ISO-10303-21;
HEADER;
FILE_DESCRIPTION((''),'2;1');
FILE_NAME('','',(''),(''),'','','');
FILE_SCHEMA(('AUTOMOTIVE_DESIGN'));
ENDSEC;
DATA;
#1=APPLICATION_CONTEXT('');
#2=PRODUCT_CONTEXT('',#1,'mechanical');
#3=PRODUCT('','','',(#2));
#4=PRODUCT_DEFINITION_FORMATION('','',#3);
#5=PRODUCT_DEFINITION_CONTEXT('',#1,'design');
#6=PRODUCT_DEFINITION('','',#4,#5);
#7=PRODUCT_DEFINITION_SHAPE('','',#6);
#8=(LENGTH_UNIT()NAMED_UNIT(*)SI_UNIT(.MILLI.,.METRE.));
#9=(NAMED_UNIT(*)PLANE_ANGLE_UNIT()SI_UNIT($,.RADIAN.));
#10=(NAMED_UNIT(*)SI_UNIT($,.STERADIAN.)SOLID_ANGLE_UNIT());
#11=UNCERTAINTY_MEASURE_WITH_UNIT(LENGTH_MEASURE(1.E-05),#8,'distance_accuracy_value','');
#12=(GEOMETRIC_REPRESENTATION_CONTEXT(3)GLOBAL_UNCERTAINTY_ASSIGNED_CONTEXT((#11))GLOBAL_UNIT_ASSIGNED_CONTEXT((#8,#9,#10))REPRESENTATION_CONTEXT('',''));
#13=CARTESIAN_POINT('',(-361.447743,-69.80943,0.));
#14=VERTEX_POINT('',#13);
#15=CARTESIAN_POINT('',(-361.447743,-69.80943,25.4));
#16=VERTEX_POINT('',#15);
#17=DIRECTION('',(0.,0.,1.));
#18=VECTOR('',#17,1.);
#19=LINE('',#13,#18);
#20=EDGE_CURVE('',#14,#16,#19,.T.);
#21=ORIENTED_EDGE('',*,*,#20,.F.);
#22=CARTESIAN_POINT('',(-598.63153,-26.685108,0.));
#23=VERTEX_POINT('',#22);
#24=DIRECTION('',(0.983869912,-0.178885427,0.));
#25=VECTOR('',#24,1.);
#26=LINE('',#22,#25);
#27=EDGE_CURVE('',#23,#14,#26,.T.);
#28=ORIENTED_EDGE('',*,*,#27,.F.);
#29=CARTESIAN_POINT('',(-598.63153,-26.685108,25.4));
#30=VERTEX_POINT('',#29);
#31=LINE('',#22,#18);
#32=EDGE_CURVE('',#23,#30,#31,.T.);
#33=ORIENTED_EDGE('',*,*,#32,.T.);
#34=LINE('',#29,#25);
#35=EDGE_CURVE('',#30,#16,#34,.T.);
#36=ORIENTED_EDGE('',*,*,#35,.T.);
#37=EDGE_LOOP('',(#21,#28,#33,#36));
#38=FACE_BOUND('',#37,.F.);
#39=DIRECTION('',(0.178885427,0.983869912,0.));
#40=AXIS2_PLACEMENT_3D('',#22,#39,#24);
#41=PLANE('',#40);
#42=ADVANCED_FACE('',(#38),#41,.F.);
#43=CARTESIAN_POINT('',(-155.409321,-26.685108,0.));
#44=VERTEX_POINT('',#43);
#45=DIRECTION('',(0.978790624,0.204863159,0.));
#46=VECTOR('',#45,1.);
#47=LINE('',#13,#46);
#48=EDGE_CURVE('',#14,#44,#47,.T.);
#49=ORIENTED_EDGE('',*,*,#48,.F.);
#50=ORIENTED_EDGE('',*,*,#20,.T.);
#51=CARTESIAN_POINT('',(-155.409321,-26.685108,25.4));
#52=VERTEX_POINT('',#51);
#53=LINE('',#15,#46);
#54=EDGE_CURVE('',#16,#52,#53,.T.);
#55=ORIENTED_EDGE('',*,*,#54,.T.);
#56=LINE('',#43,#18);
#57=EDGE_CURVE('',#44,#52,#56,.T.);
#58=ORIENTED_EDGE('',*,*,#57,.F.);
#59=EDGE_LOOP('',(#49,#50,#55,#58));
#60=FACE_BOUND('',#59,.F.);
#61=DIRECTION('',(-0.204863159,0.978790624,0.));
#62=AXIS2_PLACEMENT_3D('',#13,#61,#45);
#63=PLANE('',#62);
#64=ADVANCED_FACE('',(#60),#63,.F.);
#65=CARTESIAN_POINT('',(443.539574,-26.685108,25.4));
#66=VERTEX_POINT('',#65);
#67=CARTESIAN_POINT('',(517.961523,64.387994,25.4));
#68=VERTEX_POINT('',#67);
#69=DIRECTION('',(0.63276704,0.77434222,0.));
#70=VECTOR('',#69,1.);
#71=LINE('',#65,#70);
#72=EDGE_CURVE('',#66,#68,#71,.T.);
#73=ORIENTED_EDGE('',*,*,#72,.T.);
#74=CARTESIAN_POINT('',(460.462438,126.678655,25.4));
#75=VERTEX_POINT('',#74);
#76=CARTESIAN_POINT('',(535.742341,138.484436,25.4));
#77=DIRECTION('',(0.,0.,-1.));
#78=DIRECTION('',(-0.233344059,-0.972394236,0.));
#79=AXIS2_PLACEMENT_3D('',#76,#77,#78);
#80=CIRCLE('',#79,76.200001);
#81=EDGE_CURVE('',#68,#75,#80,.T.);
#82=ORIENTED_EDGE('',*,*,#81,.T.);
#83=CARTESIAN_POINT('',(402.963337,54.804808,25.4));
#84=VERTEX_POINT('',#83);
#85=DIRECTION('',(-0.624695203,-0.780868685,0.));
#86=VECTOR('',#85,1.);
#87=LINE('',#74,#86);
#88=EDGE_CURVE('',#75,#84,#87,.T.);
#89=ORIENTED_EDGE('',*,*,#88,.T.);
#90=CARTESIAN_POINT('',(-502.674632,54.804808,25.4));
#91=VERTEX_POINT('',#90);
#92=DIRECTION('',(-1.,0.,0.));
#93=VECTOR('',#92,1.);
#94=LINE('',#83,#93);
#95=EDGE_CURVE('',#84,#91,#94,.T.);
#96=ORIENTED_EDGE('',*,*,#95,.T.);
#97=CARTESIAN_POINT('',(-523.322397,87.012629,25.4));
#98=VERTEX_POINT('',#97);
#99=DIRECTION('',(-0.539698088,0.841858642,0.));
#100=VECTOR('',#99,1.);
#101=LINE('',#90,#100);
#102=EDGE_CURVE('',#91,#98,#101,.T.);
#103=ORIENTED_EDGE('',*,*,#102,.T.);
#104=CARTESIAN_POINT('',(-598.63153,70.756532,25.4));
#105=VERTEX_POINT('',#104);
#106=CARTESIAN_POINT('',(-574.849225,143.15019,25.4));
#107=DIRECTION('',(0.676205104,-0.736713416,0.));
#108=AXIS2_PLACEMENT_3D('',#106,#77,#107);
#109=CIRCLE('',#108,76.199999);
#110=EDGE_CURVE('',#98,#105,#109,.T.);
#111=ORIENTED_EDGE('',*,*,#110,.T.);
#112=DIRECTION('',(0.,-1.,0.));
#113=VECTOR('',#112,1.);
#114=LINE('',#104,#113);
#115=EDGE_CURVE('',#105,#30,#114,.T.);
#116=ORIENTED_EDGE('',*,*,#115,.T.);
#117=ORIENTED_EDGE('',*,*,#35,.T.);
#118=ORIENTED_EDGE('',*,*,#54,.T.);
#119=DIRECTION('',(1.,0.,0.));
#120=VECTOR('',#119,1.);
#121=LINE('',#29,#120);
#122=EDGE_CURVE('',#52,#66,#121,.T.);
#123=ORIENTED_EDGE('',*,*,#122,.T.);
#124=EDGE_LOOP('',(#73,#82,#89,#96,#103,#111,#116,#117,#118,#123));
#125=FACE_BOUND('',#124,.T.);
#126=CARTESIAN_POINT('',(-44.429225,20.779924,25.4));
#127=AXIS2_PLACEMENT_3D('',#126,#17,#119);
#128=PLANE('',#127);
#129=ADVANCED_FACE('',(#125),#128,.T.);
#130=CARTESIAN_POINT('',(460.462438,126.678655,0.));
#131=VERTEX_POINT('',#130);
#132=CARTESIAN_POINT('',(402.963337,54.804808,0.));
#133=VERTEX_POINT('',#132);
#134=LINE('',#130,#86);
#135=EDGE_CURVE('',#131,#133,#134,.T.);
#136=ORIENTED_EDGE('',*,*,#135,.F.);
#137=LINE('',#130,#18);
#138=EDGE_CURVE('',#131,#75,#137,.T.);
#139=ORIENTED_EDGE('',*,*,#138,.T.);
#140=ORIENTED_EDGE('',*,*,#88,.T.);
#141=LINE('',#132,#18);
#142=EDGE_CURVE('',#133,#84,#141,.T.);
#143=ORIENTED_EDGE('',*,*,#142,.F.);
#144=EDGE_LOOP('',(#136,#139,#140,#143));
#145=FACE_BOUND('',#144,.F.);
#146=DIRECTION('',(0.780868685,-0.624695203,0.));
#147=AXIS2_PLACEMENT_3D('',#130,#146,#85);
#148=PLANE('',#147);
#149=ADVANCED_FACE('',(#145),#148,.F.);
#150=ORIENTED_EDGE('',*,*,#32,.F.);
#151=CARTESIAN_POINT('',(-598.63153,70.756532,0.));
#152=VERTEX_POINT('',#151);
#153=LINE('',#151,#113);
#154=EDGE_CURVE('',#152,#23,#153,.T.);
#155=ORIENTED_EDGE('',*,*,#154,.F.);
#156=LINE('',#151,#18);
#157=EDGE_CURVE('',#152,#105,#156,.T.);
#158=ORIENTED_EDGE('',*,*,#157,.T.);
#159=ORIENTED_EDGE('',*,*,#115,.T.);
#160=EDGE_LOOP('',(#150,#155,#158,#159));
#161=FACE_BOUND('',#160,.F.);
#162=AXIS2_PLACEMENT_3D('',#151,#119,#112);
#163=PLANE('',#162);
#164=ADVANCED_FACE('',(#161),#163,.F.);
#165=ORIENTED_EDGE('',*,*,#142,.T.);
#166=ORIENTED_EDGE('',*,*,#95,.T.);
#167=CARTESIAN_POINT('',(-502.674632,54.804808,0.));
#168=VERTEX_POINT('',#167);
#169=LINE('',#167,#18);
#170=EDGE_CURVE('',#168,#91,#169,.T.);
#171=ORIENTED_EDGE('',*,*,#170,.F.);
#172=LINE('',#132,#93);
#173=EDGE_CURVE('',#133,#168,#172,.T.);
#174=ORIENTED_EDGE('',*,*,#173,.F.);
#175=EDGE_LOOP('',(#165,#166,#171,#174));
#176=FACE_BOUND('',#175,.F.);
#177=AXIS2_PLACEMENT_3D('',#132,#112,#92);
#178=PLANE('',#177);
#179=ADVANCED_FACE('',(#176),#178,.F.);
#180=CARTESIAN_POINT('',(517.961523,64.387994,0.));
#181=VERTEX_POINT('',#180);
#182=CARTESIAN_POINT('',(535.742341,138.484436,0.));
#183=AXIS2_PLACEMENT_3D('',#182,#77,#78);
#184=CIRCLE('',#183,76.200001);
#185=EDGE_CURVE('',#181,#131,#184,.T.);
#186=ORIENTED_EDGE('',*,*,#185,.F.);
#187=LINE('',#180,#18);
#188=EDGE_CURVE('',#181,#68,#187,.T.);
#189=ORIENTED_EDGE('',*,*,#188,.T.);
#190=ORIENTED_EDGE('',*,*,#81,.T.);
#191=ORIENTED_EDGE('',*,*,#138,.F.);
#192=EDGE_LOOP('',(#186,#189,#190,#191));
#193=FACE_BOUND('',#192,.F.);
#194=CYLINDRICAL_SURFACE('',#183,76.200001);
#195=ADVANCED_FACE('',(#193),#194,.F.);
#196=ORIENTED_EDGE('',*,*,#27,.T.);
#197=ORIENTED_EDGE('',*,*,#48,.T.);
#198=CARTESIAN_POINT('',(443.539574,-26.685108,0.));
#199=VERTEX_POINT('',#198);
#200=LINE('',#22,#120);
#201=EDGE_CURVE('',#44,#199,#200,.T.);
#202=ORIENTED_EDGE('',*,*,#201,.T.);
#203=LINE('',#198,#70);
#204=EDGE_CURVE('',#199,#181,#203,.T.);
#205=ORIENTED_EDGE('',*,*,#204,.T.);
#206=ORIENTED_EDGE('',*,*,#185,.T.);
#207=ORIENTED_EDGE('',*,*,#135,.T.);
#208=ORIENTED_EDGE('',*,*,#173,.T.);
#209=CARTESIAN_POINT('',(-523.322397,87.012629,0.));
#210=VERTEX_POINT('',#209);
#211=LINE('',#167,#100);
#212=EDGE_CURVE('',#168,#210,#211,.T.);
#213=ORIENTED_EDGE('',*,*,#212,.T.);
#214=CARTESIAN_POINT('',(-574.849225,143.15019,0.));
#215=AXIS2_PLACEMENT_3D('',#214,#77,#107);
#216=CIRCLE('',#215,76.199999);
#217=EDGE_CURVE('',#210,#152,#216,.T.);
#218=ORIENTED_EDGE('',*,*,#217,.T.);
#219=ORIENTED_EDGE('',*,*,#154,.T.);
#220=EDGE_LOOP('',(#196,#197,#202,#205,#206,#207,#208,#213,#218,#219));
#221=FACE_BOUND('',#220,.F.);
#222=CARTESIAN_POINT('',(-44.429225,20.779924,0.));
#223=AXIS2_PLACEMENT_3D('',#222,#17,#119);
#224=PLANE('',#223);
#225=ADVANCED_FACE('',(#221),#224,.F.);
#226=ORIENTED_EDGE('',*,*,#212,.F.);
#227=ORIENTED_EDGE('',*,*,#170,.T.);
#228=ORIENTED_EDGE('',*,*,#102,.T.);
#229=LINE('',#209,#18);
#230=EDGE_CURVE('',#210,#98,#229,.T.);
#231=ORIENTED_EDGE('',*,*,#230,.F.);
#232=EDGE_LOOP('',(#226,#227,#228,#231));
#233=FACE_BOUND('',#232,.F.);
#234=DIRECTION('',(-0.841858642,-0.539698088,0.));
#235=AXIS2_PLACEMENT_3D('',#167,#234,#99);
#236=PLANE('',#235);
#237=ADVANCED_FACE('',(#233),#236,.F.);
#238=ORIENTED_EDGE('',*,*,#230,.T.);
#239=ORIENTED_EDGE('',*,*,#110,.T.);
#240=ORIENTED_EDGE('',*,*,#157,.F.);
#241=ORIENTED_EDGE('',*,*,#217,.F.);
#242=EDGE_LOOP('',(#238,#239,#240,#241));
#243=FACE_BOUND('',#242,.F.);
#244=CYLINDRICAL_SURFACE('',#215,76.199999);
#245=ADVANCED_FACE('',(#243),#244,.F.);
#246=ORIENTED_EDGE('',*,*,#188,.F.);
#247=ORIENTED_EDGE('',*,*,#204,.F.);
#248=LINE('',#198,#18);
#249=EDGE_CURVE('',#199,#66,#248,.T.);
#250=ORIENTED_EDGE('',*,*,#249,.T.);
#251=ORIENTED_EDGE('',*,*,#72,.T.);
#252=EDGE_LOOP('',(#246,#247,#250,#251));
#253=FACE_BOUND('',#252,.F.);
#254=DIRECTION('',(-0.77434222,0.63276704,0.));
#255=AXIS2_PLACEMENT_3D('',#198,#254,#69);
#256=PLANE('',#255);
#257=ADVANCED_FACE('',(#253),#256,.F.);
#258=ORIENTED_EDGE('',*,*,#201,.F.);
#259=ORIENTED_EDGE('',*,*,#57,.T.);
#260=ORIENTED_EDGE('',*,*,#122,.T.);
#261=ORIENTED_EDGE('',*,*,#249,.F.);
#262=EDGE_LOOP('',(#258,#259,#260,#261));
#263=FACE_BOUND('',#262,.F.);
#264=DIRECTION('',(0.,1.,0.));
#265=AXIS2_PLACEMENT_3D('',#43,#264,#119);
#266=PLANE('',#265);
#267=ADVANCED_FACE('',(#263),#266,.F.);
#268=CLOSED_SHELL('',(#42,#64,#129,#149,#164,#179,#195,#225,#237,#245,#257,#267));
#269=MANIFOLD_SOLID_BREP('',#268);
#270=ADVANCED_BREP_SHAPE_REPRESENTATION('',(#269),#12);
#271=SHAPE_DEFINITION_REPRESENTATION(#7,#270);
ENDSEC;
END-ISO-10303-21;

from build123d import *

# Parameters (mm, degrees)
F1_DEPTH = 25.4


with BuildPart() as f1:
    # F0 (on Top) → F1 (new body)
    with BuildSketch(Plane.XY):
        with BuildLine():
            Line((-598.63153, 20.612016), (-598.63153, -26.685108))
            Line((-598.63153, -26.685108), (-155.409321, -26.685108))
            Line((-155.409321, -26.685108), (-21.244745, -26.685108))
            Line((-21.244745, -26.685108), (398.019464, -26.685108))
            Line((398.019464, -26.685108), (443.539574, -26.685108))
            Line((443.539574, -26.685108), (517.961523, 64.387994))
            ThreePointArc((517.961523, 64.387994), (479.750323, 86.799485), (460.462438, 126.678655))
            Line((460.462438, 126.678655), (402.963337, 54.804808))
            Line((402.963337, 54.804808), (-16.300872, 54.804808))
            Line((-16.300872, 54.804808), (-502.674632, 54.804808))
            Line((-502.674632, 54.804808), (-523.322397, 87.012629))
            ThreePointArc((-523.322397, 87.012629), (-558.77114, 68.665729), (-598.63153, 70.756532))
            Line((-598.63153, 70.756532), (-598.63153, 20.612016))
        make_face()
        Polygon((-155.409321, -26.685108), (-598.63153, -26.685108), (-361.447743, -69.80943), align=None)
    extrude(amount=F1_DEPTH)


solid = f1.part
